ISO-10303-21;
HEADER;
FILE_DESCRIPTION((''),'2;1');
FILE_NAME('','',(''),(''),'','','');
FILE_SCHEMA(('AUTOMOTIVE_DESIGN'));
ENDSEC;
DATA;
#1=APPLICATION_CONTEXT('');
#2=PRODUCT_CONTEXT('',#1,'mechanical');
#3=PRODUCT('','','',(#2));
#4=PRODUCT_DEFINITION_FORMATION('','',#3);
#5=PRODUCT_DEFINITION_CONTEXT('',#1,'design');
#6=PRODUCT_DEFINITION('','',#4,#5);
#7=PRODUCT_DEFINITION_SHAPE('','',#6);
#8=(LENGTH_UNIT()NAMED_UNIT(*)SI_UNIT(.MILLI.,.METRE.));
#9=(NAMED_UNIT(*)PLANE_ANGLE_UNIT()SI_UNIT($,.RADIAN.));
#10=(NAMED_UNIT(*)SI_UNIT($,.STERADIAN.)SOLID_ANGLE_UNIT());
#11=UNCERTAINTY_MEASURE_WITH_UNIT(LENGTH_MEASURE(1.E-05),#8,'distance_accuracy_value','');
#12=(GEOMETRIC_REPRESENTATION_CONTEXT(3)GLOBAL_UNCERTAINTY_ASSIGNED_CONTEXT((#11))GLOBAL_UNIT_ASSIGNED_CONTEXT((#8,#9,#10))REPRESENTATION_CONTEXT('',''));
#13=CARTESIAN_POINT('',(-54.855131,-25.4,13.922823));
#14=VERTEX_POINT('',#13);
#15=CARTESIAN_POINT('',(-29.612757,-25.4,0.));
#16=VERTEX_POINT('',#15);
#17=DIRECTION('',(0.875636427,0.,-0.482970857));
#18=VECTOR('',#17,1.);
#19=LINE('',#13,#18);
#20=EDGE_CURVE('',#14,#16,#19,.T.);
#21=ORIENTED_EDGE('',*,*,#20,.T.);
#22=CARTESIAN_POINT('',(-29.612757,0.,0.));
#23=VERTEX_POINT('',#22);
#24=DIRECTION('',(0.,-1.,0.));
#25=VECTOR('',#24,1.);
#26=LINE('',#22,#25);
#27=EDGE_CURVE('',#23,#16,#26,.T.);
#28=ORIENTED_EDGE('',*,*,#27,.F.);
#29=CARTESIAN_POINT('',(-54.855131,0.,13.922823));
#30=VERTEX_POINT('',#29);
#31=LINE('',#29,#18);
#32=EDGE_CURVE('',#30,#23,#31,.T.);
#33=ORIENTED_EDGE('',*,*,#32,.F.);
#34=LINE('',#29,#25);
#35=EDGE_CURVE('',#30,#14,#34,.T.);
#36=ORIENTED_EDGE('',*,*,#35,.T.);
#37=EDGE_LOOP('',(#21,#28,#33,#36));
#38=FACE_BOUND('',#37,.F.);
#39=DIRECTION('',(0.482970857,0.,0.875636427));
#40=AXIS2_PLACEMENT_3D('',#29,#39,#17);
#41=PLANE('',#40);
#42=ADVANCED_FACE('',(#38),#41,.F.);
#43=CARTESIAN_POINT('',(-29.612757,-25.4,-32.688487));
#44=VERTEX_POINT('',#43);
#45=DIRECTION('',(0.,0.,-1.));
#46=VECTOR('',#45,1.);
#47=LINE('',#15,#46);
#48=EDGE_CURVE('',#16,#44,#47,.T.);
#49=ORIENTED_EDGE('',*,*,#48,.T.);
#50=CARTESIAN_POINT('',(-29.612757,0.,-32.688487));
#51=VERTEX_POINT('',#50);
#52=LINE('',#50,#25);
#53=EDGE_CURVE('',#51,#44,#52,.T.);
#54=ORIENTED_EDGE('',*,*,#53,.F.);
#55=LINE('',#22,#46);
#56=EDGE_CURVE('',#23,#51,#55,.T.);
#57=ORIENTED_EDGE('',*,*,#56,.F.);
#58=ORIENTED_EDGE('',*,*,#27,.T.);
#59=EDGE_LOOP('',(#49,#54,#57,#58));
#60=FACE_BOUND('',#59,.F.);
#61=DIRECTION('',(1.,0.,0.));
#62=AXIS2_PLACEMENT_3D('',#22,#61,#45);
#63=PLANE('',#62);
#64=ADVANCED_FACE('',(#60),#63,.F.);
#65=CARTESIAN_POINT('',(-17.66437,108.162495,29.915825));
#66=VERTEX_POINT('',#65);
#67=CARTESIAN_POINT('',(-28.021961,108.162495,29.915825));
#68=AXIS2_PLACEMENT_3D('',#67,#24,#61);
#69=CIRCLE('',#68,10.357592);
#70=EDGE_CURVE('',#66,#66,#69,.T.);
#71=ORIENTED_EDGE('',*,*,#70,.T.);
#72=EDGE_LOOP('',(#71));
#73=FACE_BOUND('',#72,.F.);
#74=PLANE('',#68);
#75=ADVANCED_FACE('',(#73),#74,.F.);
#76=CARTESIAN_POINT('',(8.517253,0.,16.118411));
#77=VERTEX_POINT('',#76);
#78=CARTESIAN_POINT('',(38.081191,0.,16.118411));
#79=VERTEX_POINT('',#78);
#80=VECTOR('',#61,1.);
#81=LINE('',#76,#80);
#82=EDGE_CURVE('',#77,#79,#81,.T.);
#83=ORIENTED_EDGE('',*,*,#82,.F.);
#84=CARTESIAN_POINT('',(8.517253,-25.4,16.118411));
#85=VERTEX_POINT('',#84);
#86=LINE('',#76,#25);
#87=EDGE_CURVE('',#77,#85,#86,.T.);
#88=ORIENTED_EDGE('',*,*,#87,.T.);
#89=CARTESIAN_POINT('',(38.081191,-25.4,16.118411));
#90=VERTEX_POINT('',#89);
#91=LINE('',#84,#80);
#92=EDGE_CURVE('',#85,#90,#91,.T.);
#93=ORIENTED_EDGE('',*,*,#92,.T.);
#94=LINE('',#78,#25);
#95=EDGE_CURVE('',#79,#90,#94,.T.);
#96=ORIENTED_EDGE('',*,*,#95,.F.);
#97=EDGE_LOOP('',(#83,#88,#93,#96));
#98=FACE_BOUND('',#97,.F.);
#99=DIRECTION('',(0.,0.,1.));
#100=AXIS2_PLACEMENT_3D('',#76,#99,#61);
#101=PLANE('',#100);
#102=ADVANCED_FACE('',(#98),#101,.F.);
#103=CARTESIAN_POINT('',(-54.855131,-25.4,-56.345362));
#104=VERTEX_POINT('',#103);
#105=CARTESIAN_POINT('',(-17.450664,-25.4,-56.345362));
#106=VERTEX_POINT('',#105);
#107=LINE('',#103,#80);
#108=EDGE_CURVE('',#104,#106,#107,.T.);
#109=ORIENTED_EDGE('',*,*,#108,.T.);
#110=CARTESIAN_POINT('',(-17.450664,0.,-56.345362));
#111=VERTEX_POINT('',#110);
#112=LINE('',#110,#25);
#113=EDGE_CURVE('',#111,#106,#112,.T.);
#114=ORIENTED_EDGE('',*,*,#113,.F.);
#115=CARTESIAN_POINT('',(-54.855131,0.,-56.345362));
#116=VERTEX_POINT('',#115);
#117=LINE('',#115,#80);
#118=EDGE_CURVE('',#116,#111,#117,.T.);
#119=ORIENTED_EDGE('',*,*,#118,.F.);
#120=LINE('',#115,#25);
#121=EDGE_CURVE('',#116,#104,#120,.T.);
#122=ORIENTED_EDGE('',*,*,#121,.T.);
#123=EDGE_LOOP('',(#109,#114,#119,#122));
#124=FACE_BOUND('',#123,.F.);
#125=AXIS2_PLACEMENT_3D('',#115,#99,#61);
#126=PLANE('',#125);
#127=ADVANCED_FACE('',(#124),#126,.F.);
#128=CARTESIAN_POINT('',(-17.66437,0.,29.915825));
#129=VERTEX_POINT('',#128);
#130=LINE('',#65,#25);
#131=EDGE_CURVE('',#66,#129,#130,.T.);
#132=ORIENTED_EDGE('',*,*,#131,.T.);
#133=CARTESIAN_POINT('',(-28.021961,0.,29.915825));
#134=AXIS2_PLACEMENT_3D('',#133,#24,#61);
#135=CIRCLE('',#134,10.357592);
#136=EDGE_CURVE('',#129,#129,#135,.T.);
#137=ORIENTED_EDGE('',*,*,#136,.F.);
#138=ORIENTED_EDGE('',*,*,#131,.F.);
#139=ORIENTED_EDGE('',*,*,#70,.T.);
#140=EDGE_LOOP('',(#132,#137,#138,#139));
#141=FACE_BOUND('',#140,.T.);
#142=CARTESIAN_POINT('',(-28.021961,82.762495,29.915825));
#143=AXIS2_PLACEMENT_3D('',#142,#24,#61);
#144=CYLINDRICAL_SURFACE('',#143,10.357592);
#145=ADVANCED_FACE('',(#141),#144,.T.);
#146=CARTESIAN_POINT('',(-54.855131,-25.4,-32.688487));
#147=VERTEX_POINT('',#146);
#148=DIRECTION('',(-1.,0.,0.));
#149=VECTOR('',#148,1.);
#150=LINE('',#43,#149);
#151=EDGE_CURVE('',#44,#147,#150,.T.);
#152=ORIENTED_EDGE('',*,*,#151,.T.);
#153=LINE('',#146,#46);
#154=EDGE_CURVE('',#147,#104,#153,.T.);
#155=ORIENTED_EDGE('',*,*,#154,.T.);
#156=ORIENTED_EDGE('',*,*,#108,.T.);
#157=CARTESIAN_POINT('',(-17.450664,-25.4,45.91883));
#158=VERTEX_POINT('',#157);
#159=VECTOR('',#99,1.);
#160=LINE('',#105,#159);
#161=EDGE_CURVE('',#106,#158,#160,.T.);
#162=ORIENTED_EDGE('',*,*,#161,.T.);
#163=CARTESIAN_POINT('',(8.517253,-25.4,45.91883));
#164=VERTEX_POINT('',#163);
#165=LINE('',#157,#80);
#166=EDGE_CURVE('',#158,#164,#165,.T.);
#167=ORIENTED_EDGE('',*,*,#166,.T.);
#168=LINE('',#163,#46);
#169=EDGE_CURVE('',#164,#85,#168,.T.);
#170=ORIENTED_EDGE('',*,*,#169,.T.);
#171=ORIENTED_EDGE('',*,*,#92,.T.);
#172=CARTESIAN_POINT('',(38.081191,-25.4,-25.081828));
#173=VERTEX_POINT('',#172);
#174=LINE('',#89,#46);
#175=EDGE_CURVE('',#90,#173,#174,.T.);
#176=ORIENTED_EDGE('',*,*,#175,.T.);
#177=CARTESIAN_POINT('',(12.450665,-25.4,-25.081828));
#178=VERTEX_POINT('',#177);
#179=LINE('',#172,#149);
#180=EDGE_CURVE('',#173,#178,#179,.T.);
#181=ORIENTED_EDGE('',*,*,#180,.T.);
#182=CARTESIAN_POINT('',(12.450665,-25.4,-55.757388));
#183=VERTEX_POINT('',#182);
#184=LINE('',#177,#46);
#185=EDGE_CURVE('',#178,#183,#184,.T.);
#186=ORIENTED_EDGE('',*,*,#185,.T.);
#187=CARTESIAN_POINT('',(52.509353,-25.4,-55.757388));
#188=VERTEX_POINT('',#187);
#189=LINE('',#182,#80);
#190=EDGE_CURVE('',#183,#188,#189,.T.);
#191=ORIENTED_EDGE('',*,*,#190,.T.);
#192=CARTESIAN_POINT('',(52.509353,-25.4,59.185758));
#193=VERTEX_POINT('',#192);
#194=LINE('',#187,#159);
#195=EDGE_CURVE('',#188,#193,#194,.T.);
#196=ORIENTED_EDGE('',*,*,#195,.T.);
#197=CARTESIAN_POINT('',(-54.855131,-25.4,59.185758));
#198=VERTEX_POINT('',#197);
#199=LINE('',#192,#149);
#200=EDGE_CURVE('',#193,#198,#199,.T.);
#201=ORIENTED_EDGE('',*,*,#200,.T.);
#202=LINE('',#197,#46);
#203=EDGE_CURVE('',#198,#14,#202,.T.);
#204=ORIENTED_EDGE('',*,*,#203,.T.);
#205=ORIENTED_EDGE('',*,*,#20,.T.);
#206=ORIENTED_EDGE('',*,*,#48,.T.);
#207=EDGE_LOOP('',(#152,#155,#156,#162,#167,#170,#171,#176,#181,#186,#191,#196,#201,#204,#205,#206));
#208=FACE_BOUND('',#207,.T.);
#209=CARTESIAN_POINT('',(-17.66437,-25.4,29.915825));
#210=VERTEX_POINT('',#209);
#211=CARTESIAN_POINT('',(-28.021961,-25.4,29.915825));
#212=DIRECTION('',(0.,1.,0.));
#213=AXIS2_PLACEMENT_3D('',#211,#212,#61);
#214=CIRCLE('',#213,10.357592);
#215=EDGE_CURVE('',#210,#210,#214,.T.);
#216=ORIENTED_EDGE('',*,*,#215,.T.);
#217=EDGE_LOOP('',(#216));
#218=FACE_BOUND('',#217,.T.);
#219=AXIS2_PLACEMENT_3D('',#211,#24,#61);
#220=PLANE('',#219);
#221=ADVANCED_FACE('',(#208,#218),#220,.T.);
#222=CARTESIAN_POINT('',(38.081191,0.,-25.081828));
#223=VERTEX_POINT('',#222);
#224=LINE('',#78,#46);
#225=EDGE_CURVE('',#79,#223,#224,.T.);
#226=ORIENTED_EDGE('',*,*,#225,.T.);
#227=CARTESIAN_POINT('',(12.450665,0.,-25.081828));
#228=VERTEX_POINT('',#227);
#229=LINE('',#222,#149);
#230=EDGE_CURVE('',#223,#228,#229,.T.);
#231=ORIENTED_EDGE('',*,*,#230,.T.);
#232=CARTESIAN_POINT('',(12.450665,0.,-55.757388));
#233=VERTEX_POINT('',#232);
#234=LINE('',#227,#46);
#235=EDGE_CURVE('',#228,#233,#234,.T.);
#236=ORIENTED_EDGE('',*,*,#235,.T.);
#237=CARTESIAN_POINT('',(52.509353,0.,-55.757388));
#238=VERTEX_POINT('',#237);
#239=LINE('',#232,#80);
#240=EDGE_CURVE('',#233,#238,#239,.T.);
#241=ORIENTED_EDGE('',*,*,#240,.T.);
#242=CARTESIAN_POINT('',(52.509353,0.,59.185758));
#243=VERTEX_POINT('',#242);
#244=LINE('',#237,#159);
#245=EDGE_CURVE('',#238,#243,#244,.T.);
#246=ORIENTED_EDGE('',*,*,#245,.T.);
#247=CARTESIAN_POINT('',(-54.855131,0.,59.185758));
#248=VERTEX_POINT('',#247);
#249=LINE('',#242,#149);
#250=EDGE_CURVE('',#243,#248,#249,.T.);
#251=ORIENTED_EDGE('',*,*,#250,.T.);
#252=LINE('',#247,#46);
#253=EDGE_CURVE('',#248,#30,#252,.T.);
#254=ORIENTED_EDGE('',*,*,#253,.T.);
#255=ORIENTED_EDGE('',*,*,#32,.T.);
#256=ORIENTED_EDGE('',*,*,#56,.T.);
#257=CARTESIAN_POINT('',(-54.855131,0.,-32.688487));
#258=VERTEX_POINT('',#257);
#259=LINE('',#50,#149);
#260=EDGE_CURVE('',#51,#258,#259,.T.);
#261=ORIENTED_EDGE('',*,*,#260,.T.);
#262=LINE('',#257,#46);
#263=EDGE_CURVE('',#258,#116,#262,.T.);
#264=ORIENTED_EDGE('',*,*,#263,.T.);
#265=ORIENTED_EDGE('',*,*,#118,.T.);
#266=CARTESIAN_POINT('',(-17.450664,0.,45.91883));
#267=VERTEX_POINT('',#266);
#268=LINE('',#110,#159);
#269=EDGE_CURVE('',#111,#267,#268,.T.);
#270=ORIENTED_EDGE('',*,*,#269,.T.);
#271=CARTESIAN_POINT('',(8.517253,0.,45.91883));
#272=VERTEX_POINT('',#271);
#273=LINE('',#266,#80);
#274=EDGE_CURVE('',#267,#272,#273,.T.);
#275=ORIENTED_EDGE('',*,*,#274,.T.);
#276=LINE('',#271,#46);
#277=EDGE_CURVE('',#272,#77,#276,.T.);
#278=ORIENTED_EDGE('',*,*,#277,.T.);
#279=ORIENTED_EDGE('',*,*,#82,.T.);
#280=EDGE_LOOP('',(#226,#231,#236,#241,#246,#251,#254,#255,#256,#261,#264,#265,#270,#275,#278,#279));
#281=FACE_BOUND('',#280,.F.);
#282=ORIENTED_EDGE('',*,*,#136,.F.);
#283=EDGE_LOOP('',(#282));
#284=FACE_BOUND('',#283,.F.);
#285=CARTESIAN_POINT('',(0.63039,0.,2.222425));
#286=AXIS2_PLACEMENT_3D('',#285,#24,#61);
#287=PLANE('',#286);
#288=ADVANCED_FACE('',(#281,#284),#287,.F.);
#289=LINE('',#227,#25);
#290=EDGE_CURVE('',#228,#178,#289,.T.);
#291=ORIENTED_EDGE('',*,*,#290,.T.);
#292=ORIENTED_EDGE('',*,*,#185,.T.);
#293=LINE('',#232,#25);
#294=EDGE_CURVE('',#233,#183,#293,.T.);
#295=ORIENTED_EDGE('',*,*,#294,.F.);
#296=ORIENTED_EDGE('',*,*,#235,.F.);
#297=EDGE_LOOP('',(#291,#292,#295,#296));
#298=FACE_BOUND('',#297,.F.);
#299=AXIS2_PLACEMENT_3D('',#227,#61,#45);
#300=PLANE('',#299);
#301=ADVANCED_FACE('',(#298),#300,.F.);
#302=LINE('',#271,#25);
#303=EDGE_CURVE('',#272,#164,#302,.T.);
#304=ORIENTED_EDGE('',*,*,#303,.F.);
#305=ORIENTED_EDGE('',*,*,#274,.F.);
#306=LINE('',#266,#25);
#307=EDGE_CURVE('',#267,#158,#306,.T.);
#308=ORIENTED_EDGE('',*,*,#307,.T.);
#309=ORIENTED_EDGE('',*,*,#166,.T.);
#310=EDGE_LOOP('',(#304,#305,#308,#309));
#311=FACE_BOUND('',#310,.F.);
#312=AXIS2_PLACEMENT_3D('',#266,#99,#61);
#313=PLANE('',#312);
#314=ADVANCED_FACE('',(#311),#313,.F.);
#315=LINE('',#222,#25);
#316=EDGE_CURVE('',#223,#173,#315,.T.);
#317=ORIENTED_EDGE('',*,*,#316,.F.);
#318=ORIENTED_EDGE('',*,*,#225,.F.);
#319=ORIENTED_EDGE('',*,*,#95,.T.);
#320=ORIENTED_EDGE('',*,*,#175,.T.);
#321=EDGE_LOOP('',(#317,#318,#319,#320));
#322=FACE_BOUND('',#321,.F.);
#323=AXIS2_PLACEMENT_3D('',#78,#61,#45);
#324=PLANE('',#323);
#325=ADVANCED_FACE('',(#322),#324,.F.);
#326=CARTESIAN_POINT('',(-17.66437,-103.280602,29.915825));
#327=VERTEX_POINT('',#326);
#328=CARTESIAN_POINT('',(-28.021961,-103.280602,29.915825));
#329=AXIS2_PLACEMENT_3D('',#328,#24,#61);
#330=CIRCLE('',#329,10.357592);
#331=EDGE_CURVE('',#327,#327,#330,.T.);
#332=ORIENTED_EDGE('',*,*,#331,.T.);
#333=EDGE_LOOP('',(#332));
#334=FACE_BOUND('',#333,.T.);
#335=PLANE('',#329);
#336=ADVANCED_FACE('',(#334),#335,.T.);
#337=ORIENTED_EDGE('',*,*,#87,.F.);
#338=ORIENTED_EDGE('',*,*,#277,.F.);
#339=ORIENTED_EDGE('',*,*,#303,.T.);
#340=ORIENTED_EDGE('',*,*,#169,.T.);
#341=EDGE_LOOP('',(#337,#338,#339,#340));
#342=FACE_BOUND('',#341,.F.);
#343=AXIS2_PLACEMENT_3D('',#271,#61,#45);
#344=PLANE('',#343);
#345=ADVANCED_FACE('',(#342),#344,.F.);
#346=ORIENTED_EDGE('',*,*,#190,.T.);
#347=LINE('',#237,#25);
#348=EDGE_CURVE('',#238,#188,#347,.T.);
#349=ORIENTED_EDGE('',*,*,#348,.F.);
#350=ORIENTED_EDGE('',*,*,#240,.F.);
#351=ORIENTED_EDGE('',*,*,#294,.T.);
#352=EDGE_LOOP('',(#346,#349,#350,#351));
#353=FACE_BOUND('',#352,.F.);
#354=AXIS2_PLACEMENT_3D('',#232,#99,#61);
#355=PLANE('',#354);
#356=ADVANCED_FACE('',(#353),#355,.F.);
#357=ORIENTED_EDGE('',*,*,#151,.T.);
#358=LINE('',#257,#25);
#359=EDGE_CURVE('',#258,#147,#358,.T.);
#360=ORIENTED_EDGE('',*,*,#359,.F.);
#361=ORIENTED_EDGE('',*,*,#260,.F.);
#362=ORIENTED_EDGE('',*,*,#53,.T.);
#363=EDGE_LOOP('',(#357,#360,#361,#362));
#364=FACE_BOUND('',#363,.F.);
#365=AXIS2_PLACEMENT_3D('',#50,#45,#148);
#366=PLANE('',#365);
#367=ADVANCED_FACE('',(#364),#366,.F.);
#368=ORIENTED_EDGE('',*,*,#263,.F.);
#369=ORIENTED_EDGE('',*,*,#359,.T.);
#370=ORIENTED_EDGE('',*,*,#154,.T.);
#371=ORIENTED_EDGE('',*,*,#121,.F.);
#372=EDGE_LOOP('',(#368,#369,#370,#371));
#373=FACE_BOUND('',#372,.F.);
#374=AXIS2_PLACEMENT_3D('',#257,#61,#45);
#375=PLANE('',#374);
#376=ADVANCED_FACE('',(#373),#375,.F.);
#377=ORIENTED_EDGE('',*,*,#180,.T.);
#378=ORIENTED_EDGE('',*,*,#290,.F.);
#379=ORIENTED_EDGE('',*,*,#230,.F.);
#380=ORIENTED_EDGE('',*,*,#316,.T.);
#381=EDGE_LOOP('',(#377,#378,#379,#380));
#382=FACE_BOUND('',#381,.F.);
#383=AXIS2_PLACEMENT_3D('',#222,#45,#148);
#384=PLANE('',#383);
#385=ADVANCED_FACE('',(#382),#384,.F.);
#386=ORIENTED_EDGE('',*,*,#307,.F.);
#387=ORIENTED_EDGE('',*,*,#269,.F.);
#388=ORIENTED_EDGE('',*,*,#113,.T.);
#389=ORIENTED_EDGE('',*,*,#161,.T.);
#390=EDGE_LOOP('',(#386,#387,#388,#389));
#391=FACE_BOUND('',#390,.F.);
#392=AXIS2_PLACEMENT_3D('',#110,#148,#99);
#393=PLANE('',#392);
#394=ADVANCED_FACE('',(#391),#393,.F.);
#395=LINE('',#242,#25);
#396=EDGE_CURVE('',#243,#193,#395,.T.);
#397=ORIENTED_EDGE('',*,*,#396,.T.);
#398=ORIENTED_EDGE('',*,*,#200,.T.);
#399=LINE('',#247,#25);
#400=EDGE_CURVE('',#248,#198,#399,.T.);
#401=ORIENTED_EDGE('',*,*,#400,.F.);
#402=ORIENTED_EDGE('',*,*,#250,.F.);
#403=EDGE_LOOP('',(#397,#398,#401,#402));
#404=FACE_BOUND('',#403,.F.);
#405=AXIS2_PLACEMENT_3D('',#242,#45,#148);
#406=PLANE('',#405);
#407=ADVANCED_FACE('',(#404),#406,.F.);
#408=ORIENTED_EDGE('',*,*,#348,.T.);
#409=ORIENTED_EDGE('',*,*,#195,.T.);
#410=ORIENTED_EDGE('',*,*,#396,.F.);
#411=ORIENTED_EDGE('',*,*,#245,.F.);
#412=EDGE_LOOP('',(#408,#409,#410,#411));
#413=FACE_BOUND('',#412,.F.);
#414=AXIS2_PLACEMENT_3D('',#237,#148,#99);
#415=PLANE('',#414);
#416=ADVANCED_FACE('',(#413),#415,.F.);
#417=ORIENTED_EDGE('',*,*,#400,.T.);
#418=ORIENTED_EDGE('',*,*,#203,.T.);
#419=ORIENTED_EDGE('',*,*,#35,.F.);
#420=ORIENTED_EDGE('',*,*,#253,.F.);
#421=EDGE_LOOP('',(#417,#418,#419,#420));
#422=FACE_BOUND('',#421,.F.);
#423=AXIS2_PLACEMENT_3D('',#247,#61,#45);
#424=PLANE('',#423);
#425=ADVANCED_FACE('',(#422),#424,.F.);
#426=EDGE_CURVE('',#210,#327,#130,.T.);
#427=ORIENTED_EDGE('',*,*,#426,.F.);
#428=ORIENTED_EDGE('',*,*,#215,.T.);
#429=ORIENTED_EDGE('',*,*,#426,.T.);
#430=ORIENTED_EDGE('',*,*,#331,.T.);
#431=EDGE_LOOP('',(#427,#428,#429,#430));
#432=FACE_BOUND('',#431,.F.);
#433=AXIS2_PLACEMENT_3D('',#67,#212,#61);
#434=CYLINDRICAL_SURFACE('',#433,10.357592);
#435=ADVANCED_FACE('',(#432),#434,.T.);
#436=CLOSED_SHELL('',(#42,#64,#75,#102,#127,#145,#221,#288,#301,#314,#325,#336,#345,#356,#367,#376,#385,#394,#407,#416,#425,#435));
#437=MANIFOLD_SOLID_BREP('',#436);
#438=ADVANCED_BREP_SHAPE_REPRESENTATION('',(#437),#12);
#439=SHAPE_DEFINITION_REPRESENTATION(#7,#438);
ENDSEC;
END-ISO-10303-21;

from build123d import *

# Parameters (mm, degrees)
F1_DEPTH      = 25.4
F2_R          = 10.3575918664
F3_DEPTH      = 82.7624946833
F3_DEPTH_BACK = 25.4
F4_DEPTH      = 25.4
F5_DEPTH      = 211.4430963993


with BuildPart() as f1:
    # F0 (on Front) → F1 (new body)
    with BuildSketch(Plane.XZ):
        Polygon((-54.8551306129, 59.1857582331), (-54.8551306129, 13.9228226617), (-29.6127572656, 0), (-29.6127572656, -32.6884873211), (-54.8551306129, -32.6884873211), (-54.8551306129, -56.3453622162), (-17.4506641924, -56.3453622162), (-17.4506641924, 45.9188297391), (8.5172532126, 45.9188297391), (8.5172532126, 16.1184109747), (38.0811914802, 16.1184109747), (38.0811914802, -25.0818282366), (12.4506652355, -25.0818282366), (12.4506652355, -55.7573884726), (52.5093525648, -55.7573884726), (52.5093525648, 59.1857582331), align=None)
    extrude(amount=F1_DEPTH)

    # F2 (on Front) → F3 (join, two sides)
    with BuildSketch(Plane.XZ) as f3_sk:
        with Locations((-28.0219614506, 29.9158245325)):
            Circle(F2_R)
    extrude(amount=-F3_DEPTH)
    extrude(f3_sk.sketch, amount=F3_DEPTH_BACK)

    # F4 (add): a face of the model
    f4_faces = [f1.faces().sort_by_distance(p)[0] for p in [
        (-28.0219614506, 82.7624946833, 29.9158245325),
    ]]
    extrude(f4_faces, amount=F4_DEPTH)

    # F5 (add): a face of the model
    f5_faces = [f1.faces().sort_by_distance(p)[0] for p in [
        (-28.0219614506, 108.1624946833, 29.9158245325),
    ]]
    extrude(f5_faces, amount=-F5_DEPTH)


solid = f1.part
